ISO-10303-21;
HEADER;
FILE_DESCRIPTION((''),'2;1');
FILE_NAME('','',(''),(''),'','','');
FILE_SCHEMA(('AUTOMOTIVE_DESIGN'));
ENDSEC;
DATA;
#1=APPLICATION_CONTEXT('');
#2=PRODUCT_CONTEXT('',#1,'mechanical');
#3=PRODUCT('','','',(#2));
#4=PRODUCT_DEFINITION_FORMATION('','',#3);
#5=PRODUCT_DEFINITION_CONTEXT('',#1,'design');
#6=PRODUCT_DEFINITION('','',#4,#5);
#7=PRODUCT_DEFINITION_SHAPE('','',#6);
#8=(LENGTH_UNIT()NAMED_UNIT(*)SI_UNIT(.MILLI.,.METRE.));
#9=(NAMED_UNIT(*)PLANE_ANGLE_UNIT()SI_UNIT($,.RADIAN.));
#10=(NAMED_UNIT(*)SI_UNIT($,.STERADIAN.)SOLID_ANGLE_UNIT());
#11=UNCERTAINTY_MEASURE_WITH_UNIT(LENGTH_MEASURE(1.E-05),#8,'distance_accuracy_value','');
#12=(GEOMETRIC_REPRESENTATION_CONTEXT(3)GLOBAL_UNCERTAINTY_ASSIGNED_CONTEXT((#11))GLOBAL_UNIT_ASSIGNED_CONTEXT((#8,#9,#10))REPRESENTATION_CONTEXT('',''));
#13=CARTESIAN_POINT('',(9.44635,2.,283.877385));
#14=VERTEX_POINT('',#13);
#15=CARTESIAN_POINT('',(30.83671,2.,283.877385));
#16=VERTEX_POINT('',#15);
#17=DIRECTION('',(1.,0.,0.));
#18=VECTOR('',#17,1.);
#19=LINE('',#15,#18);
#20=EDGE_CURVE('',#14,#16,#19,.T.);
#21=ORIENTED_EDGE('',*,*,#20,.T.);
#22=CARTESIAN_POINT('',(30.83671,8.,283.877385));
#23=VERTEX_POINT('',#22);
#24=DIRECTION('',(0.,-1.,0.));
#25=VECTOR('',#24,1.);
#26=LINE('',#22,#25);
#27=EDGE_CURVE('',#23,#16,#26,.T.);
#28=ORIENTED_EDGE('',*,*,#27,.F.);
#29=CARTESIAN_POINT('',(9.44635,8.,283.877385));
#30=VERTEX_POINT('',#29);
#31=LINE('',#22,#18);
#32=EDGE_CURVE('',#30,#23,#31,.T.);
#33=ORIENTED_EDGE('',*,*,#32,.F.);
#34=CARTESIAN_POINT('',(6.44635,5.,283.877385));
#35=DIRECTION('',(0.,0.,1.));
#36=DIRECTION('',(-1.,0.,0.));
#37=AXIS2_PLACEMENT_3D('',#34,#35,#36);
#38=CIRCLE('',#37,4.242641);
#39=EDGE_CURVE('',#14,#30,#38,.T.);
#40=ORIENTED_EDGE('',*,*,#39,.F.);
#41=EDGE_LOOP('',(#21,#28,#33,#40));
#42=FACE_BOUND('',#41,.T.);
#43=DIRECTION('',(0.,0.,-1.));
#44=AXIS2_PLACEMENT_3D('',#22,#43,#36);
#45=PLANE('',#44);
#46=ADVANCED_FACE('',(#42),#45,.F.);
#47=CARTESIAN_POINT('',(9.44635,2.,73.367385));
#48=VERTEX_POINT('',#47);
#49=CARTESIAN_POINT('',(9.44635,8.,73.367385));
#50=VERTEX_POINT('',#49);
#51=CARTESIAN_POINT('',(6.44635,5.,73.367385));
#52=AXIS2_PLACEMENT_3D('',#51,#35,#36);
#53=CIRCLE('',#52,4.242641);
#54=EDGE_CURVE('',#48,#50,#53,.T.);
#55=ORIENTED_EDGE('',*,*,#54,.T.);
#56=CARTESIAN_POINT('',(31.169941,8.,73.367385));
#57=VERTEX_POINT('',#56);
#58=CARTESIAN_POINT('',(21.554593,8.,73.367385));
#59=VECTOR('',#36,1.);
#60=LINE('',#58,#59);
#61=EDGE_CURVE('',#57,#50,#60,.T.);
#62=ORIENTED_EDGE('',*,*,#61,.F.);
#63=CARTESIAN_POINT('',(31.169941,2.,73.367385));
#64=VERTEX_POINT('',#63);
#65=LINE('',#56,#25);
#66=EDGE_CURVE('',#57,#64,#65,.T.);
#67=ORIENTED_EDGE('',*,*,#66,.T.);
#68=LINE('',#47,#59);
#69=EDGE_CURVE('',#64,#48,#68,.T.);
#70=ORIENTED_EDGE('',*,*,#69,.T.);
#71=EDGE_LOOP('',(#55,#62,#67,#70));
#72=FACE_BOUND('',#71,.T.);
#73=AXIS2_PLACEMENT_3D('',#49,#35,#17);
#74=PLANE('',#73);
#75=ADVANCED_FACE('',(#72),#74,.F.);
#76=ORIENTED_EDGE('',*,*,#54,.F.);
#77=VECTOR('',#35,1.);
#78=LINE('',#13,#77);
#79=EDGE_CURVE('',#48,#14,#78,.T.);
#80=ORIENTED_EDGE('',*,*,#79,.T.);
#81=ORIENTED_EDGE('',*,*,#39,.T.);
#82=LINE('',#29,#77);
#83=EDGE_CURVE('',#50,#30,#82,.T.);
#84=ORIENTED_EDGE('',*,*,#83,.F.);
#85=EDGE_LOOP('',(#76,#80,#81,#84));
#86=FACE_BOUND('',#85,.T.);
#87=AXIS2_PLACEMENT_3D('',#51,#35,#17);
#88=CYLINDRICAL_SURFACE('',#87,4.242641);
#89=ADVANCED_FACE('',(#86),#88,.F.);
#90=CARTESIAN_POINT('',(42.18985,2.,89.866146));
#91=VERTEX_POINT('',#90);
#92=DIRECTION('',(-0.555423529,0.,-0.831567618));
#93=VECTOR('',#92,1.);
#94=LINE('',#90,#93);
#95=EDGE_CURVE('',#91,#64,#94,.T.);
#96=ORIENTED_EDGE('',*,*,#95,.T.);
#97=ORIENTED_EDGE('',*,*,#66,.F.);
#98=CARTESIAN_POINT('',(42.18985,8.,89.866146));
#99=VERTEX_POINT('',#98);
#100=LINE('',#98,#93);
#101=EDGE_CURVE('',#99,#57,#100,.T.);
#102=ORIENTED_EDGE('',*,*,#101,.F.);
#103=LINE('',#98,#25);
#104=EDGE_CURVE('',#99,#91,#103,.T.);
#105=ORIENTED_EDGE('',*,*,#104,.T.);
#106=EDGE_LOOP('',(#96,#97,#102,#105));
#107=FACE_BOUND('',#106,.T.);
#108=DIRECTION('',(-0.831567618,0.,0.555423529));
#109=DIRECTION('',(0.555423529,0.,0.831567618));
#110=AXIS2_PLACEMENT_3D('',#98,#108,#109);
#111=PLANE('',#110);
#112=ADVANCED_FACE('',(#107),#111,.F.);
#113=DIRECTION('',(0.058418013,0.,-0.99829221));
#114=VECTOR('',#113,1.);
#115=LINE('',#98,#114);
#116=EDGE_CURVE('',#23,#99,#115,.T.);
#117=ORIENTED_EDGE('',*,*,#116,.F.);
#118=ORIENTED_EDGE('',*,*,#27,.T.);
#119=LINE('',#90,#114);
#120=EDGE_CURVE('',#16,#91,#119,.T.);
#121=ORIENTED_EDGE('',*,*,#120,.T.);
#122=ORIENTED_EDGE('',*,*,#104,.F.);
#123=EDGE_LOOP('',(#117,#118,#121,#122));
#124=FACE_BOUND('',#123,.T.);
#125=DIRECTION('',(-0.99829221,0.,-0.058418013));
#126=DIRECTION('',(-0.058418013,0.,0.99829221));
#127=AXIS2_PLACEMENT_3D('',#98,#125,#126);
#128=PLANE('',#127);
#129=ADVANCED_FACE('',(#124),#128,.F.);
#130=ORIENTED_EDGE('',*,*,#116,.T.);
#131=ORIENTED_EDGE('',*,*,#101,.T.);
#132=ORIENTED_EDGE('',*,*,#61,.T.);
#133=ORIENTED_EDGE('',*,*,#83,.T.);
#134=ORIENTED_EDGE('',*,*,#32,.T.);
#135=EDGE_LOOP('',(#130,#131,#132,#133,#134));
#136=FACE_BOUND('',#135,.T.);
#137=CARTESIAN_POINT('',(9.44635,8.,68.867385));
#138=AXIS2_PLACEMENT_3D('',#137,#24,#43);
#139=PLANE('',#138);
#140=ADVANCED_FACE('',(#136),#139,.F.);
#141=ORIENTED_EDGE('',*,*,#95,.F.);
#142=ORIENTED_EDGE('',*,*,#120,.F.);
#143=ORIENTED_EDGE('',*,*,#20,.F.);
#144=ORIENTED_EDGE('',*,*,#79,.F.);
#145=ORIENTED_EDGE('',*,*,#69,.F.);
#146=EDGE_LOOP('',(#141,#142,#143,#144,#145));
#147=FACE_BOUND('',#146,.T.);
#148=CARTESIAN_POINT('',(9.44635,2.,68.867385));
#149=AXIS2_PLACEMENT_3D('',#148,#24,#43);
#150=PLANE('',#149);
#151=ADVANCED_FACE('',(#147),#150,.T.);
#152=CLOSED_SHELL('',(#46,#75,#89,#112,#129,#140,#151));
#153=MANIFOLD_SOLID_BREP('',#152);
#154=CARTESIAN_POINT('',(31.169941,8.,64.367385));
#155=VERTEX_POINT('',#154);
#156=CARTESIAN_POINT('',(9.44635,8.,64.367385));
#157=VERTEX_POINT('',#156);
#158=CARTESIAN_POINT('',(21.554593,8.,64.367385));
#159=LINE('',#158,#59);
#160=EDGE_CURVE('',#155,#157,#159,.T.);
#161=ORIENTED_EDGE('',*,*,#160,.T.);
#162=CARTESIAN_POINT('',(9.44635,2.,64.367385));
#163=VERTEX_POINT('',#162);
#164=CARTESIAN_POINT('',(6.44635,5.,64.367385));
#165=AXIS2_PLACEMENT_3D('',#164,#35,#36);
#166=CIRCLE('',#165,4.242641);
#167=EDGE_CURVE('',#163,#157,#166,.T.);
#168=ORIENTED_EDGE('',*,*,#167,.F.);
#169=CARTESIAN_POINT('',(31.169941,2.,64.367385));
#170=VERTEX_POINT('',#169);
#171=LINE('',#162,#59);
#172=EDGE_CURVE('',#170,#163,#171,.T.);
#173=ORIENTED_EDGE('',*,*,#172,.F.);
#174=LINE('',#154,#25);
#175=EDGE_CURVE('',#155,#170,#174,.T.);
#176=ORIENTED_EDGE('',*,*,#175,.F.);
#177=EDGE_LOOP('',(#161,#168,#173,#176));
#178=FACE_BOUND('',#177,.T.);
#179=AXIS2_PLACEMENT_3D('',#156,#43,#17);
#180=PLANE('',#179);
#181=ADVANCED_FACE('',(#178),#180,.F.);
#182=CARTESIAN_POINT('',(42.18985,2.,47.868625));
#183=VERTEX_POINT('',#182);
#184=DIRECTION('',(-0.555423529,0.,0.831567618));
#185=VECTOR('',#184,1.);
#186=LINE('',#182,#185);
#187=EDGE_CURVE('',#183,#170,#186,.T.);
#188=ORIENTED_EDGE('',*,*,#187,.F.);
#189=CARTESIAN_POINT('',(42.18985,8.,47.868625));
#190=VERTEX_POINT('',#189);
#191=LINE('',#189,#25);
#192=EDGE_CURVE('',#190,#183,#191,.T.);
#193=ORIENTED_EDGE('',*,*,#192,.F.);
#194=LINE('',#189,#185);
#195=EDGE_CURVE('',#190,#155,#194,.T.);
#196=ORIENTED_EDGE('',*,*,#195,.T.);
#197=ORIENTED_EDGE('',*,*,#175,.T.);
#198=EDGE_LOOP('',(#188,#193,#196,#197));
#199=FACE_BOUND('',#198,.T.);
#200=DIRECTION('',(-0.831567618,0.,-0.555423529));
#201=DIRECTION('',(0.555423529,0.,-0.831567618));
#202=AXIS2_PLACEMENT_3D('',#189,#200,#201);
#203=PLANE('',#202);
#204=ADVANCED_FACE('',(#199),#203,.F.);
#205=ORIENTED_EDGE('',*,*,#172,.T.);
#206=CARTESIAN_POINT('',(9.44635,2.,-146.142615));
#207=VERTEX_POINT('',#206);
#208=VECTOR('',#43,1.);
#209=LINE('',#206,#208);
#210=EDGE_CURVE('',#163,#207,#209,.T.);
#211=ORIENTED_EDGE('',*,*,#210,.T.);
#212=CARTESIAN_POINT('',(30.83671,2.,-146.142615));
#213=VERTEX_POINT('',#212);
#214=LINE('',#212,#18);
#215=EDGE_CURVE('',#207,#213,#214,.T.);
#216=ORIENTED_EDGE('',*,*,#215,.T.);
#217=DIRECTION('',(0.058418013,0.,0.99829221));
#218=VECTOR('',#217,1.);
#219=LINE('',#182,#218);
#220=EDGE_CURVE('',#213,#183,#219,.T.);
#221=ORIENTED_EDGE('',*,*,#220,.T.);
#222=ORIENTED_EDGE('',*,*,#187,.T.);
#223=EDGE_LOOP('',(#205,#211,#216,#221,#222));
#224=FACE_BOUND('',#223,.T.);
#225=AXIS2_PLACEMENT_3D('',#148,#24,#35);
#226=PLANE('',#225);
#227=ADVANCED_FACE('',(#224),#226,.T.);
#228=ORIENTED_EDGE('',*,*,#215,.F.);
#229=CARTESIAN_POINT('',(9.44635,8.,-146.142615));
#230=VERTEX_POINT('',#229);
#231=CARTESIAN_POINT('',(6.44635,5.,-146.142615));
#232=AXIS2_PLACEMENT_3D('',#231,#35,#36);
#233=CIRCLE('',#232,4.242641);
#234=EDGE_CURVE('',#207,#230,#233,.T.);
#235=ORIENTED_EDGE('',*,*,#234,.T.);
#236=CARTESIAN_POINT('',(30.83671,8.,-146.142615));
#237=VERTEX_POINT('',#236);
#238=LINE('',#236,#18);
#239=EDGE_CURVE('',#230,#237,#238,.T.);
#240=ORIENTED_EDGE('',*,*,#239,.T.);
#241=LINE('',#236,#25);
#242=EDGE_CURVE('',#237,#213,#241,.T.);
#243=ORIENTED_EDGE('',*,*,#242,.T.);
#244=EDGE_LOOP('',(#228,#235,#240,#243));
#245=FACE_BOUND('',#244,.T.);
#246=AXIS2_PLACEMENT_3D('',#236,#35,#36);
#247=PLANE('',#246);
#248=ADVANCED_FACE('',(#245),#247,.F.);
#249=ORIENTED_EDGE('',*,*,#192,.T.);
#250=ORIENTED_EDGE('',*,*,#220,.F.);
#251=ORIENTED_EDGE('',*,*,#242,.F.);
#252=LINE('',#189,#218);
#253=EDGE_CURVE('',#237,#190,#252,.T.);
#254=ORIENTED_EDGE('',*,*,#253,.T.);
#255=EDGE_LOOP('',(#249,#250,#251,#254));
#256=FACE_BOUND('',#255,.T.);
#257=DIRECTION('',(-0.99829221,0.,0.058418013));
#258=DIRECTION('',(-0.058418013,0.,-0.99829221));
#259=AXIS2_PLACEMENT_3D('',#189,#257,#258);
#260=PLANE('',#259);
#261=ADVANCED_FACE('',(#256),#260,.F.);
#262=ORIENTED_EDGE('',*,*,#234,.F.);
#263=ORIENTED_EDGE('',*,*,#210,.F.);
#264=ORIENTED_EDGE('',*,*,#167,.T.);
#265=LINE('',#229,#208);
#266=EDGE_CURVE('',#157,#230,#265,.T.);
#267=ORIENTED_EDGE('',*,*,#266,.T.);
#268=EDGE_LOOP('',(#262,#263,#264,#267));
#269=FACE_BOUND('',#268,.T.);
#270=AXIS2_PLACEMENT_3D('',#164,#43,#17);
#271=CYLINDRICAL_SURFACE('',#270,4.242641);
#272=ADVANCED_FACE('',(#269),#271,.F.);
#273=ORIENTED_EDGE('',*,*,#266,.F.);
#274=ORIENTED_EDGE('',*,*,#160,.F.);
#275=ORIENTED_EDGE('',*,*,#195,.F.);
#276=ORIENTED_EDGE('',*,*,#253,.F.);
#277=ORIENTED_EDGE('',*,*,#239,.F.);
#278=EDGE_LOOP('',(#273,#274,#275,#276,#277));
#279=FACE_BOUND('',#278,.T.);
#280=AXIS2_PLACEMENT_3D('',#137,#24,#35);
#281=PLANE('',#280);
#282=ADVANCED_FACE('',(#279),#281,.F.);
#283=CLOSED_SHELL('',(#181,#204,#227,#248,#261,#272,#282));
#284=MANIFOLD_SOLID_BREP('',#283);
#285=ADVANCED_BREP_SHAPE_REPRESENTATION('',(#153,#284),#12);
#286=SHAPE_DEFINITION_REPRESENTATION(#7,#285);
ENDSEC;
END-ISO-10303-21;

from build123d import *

# Parameters (mm, degrees)
BOSS_EXTRUDE1_DEPTH = 10
CUT_EXTRUDE1_DEPTH  = 356.209628619
SCALE3_SCALE        = 0.6


with BuildPart() as part:
    # Sketch1 → Boss-Extrude1 (new body)
    with BuildSketch(Plane(origin=(0, 0, 0), x_dir=(1, 0, 0), z_dir=(0, 1, 0))):
        Polygon((35.650600343, -358.35), (0, -358.35), (0, -7.5), (20.180404561, -7.5), (36.205984401, -7.5), (54.572500068, -34.997934227), align=None)
    extrude(amount=BOSS_EXTRUDE1_DEPTH)

    # Sketch2 → Cut-Extrude1 (cut, through all)
    with BuildSketch(Plane.XY.offset(358.35)):
        with BuildLine():
            Line((0, 10), (0, 0))
            ThreePointArc((0, 0), (2.071067812, 5), (0, 10))
        make_face()
    extrude(amount=-CUT_EXTRUDE1_DEPTH, mode=Mode.SUBTRACT)


with BuildPart() as part_1:
    # Scale3: scaled about (23.615874951, 5, 172.168463309)
    add(part.part.scale(SCALE3_SCALE).moved(Location((9.44634998, 2, 68.867385324))))


with BuildPart() as body_2:
    # Mirror3: mirrored copy
    add(part_1.part.mirror(Plane(origin=(0, 0, 68.867385324), x_dir=(1, 0, 0), z_dir=(0, 0, -1))))


solid = Compound([part_1.part, body_2.part])
